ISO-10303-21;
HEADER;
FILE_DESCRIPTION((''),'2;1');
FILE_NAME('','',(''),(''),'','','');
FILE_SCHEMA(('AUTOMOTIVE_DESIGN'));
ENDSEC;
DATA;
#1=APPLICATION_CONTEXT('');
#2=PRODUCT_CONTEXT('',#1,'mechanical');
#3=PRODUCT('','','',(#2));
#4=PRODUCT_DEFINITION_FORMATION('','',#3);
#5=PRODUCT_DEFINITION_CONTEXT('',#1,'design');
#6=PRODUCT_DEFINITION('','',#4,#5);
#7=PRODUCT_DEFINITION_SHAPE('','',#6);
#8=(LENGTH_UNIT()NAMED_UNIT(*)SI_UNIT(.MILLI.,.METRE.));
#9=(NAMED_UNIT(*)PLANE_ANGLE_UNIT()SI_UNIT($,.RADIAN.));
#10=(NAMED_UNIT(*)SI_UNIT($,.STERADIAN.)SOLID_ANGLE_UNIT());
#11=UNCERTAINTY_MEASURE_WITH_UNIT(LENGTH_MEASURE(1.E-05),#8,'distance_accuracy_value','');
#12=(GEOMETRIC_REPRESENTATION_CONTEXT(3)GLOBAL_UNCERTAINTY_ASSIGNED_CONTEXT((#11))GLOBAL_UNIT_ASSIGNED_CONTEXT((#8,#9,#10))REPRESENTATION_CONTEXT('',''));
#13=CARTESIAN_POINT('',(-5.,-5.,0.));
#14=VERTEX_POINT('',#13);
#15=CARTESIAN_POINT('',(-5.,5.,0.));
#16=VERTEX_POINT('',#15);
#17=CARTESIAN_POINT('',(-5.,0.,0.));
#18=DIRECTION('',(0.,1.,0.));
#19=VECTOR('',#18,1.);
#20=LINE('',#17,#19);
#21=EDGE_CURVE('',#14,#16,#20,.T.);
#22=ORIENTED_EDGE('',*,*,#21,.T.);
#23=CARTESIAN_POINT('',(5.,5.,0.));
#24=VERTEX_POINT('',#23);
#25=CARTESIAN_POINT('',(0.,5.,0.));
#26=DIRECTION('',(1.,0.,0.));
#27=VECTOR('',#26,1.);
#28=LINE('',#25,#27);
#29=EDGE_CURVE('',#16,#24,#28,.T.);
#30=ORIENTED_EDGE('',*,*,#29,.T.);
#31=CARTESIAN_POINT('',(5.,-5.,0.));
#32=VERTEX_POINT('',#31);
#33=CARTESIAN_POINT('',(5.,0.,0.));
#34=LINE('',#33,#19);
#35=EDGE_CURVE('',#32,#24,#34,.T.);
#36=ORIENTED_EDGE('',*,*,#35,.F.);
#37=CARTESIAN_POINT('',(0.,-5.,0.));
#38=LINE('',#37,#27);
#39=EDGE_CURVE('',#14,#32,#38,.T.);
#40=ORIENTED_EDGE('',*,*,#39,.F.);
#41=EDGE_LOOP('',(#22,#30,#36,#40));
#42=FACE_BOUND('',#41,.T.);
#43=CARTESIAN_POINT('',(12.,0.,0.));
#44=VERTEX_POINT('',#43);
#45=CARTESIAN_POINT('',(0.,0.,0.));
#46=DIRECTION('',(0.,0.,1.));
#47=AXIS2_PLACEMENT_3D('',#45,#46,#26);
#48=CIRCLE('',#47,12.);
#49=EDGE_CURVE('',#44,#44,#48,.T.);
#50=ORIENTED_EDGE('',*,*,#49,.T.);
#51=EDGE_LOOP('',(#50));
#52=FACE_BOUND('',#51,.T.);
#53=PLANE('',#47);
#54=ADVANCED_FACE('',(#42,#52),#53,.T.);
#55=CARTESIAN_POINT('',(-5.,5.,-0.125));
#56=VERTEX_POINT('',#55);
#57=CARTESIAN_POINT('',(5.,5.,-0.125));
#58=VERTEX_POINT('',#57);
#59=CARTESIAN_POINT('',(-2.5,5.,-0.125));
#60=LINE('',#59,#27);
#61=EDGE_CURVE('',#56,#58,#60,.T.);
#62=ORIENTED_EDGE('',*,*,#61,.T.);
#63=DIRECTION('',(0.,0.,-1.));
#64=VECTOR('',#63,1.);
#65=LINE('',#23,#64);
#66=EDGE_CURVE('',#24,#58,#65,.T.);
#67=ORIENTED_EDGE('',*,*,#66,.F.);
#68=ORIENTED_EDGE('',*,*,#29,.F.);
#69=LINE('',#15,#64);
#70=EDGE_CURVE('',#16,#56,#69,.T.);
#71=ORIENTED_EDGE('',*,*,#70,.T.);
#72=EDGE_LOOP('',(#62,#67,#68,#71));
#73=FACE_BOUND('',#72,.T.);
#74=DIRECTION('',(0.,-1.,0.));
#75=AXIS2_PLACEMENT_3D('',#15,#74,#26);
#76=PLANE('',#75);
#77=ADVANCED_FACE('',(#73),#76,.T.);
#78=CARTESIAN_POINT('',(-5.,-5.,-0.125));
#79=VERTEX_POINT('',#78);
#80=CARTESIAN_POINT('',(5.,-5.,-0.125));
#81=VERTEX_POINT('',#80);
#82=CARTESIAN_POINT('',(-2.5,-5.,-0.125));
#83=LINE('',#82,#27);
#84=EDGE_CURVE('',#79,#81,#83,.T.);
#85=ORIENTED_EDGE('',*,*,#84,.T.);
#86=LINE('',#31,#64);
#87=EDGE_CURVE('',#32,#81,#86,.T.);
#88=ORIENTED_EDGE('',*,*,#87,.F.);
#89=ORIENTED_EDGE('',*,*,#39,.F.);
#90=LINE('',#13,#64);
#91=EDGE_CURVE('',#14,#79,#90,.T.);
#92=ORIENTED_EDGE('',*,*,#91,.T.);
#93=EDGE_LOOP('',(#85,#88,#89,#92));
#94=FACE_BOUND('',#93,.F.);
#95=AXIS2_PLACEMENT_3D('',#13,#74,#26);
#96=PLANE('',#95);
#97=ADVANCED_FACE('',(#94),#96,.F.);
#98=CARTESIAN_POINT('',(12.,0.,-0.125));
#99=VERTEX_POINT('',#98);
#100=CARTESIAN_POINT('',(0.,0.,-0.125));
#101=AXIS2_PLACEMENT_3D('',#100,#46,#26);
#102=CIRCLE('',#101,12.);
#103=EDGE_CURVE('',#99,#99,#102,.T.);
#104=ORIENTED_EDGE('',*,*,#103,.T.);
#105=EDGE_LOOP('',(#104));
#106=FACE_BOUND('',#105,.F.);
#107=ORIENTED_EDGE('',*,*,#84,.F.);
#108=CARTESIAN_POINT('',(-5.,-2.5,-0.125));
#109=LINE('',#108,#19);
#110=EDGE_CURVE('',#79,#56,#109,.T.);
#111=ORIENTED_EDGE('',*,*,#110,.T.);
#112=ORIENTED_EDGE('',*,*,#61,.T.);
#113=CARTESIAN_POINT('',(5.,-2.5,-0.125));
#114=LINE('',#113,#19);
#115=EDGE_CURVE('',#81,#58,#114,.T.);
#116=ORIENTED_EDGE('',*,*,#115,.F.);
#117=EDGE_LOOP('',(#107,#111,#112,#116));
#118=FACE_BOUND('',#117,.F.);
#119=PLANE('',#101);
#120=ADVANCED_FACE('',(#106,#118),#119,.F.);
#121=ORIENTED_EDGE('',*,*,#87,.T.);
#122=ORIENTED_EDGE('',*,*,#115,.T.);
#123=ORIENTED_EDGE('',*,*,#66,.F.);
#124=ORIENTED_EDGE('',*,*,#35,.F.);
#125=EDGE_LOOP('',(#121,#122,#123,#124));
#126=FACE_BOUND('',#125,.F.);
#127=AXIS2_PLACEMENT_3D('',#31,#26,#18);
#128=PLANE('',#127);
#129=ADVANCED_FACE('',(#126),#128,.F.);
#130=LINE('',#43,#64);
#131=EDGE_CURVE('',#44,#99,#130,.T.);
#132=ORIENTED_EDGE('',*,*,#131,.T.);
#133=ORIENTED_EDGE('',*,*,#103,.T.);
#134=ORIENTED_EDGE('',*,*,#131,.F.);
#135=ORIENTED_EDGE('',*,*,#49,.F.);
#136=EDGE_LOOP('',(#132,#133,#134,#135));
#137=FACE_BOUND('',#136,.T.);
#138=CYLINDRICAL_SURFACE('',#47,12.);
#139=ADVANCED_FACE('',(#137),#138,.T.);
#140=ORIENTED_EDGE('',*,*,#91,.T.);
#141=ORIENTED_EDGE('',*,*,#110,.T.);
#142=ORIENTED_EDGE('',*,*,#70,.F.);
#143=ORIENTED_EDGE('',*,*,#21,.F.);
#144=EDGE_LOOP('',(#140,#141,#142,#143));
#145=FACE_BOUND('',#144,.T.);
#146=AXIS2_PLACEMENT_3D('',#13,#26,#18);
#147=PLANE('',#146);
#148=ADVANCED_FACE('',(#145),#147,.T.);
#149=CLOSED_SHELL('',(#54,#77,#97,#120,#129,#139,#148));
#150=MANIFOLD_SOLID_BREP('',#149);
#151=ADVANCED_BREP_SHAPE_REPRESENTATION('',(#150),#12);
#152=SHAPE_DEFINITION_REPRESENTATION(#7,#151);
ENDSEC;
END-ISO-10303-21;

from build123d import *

# Parameters (mm, degrees)
F0_R     = 12
F1_DEPTH = 0.125
F2_W     = 10
F2_H     = 10
F3_DEPTH = 0.126


with BuildPart() as f1:
    # F0 (on Top) → F1 (new body)
    with BuildSketch(Plane.XY):
        Circle(F0_R)
    extrude(amount=-F1_DEPTH)

    # F2 (on face) → F3 (cut, through all)
    with BuildSketch(Plane.XY):
        Rectangle(F2_W, F2_H)
    extrude(amount=-F3_DEPTH, mode=Mode.SUBTRACT)


solid = f1.part
